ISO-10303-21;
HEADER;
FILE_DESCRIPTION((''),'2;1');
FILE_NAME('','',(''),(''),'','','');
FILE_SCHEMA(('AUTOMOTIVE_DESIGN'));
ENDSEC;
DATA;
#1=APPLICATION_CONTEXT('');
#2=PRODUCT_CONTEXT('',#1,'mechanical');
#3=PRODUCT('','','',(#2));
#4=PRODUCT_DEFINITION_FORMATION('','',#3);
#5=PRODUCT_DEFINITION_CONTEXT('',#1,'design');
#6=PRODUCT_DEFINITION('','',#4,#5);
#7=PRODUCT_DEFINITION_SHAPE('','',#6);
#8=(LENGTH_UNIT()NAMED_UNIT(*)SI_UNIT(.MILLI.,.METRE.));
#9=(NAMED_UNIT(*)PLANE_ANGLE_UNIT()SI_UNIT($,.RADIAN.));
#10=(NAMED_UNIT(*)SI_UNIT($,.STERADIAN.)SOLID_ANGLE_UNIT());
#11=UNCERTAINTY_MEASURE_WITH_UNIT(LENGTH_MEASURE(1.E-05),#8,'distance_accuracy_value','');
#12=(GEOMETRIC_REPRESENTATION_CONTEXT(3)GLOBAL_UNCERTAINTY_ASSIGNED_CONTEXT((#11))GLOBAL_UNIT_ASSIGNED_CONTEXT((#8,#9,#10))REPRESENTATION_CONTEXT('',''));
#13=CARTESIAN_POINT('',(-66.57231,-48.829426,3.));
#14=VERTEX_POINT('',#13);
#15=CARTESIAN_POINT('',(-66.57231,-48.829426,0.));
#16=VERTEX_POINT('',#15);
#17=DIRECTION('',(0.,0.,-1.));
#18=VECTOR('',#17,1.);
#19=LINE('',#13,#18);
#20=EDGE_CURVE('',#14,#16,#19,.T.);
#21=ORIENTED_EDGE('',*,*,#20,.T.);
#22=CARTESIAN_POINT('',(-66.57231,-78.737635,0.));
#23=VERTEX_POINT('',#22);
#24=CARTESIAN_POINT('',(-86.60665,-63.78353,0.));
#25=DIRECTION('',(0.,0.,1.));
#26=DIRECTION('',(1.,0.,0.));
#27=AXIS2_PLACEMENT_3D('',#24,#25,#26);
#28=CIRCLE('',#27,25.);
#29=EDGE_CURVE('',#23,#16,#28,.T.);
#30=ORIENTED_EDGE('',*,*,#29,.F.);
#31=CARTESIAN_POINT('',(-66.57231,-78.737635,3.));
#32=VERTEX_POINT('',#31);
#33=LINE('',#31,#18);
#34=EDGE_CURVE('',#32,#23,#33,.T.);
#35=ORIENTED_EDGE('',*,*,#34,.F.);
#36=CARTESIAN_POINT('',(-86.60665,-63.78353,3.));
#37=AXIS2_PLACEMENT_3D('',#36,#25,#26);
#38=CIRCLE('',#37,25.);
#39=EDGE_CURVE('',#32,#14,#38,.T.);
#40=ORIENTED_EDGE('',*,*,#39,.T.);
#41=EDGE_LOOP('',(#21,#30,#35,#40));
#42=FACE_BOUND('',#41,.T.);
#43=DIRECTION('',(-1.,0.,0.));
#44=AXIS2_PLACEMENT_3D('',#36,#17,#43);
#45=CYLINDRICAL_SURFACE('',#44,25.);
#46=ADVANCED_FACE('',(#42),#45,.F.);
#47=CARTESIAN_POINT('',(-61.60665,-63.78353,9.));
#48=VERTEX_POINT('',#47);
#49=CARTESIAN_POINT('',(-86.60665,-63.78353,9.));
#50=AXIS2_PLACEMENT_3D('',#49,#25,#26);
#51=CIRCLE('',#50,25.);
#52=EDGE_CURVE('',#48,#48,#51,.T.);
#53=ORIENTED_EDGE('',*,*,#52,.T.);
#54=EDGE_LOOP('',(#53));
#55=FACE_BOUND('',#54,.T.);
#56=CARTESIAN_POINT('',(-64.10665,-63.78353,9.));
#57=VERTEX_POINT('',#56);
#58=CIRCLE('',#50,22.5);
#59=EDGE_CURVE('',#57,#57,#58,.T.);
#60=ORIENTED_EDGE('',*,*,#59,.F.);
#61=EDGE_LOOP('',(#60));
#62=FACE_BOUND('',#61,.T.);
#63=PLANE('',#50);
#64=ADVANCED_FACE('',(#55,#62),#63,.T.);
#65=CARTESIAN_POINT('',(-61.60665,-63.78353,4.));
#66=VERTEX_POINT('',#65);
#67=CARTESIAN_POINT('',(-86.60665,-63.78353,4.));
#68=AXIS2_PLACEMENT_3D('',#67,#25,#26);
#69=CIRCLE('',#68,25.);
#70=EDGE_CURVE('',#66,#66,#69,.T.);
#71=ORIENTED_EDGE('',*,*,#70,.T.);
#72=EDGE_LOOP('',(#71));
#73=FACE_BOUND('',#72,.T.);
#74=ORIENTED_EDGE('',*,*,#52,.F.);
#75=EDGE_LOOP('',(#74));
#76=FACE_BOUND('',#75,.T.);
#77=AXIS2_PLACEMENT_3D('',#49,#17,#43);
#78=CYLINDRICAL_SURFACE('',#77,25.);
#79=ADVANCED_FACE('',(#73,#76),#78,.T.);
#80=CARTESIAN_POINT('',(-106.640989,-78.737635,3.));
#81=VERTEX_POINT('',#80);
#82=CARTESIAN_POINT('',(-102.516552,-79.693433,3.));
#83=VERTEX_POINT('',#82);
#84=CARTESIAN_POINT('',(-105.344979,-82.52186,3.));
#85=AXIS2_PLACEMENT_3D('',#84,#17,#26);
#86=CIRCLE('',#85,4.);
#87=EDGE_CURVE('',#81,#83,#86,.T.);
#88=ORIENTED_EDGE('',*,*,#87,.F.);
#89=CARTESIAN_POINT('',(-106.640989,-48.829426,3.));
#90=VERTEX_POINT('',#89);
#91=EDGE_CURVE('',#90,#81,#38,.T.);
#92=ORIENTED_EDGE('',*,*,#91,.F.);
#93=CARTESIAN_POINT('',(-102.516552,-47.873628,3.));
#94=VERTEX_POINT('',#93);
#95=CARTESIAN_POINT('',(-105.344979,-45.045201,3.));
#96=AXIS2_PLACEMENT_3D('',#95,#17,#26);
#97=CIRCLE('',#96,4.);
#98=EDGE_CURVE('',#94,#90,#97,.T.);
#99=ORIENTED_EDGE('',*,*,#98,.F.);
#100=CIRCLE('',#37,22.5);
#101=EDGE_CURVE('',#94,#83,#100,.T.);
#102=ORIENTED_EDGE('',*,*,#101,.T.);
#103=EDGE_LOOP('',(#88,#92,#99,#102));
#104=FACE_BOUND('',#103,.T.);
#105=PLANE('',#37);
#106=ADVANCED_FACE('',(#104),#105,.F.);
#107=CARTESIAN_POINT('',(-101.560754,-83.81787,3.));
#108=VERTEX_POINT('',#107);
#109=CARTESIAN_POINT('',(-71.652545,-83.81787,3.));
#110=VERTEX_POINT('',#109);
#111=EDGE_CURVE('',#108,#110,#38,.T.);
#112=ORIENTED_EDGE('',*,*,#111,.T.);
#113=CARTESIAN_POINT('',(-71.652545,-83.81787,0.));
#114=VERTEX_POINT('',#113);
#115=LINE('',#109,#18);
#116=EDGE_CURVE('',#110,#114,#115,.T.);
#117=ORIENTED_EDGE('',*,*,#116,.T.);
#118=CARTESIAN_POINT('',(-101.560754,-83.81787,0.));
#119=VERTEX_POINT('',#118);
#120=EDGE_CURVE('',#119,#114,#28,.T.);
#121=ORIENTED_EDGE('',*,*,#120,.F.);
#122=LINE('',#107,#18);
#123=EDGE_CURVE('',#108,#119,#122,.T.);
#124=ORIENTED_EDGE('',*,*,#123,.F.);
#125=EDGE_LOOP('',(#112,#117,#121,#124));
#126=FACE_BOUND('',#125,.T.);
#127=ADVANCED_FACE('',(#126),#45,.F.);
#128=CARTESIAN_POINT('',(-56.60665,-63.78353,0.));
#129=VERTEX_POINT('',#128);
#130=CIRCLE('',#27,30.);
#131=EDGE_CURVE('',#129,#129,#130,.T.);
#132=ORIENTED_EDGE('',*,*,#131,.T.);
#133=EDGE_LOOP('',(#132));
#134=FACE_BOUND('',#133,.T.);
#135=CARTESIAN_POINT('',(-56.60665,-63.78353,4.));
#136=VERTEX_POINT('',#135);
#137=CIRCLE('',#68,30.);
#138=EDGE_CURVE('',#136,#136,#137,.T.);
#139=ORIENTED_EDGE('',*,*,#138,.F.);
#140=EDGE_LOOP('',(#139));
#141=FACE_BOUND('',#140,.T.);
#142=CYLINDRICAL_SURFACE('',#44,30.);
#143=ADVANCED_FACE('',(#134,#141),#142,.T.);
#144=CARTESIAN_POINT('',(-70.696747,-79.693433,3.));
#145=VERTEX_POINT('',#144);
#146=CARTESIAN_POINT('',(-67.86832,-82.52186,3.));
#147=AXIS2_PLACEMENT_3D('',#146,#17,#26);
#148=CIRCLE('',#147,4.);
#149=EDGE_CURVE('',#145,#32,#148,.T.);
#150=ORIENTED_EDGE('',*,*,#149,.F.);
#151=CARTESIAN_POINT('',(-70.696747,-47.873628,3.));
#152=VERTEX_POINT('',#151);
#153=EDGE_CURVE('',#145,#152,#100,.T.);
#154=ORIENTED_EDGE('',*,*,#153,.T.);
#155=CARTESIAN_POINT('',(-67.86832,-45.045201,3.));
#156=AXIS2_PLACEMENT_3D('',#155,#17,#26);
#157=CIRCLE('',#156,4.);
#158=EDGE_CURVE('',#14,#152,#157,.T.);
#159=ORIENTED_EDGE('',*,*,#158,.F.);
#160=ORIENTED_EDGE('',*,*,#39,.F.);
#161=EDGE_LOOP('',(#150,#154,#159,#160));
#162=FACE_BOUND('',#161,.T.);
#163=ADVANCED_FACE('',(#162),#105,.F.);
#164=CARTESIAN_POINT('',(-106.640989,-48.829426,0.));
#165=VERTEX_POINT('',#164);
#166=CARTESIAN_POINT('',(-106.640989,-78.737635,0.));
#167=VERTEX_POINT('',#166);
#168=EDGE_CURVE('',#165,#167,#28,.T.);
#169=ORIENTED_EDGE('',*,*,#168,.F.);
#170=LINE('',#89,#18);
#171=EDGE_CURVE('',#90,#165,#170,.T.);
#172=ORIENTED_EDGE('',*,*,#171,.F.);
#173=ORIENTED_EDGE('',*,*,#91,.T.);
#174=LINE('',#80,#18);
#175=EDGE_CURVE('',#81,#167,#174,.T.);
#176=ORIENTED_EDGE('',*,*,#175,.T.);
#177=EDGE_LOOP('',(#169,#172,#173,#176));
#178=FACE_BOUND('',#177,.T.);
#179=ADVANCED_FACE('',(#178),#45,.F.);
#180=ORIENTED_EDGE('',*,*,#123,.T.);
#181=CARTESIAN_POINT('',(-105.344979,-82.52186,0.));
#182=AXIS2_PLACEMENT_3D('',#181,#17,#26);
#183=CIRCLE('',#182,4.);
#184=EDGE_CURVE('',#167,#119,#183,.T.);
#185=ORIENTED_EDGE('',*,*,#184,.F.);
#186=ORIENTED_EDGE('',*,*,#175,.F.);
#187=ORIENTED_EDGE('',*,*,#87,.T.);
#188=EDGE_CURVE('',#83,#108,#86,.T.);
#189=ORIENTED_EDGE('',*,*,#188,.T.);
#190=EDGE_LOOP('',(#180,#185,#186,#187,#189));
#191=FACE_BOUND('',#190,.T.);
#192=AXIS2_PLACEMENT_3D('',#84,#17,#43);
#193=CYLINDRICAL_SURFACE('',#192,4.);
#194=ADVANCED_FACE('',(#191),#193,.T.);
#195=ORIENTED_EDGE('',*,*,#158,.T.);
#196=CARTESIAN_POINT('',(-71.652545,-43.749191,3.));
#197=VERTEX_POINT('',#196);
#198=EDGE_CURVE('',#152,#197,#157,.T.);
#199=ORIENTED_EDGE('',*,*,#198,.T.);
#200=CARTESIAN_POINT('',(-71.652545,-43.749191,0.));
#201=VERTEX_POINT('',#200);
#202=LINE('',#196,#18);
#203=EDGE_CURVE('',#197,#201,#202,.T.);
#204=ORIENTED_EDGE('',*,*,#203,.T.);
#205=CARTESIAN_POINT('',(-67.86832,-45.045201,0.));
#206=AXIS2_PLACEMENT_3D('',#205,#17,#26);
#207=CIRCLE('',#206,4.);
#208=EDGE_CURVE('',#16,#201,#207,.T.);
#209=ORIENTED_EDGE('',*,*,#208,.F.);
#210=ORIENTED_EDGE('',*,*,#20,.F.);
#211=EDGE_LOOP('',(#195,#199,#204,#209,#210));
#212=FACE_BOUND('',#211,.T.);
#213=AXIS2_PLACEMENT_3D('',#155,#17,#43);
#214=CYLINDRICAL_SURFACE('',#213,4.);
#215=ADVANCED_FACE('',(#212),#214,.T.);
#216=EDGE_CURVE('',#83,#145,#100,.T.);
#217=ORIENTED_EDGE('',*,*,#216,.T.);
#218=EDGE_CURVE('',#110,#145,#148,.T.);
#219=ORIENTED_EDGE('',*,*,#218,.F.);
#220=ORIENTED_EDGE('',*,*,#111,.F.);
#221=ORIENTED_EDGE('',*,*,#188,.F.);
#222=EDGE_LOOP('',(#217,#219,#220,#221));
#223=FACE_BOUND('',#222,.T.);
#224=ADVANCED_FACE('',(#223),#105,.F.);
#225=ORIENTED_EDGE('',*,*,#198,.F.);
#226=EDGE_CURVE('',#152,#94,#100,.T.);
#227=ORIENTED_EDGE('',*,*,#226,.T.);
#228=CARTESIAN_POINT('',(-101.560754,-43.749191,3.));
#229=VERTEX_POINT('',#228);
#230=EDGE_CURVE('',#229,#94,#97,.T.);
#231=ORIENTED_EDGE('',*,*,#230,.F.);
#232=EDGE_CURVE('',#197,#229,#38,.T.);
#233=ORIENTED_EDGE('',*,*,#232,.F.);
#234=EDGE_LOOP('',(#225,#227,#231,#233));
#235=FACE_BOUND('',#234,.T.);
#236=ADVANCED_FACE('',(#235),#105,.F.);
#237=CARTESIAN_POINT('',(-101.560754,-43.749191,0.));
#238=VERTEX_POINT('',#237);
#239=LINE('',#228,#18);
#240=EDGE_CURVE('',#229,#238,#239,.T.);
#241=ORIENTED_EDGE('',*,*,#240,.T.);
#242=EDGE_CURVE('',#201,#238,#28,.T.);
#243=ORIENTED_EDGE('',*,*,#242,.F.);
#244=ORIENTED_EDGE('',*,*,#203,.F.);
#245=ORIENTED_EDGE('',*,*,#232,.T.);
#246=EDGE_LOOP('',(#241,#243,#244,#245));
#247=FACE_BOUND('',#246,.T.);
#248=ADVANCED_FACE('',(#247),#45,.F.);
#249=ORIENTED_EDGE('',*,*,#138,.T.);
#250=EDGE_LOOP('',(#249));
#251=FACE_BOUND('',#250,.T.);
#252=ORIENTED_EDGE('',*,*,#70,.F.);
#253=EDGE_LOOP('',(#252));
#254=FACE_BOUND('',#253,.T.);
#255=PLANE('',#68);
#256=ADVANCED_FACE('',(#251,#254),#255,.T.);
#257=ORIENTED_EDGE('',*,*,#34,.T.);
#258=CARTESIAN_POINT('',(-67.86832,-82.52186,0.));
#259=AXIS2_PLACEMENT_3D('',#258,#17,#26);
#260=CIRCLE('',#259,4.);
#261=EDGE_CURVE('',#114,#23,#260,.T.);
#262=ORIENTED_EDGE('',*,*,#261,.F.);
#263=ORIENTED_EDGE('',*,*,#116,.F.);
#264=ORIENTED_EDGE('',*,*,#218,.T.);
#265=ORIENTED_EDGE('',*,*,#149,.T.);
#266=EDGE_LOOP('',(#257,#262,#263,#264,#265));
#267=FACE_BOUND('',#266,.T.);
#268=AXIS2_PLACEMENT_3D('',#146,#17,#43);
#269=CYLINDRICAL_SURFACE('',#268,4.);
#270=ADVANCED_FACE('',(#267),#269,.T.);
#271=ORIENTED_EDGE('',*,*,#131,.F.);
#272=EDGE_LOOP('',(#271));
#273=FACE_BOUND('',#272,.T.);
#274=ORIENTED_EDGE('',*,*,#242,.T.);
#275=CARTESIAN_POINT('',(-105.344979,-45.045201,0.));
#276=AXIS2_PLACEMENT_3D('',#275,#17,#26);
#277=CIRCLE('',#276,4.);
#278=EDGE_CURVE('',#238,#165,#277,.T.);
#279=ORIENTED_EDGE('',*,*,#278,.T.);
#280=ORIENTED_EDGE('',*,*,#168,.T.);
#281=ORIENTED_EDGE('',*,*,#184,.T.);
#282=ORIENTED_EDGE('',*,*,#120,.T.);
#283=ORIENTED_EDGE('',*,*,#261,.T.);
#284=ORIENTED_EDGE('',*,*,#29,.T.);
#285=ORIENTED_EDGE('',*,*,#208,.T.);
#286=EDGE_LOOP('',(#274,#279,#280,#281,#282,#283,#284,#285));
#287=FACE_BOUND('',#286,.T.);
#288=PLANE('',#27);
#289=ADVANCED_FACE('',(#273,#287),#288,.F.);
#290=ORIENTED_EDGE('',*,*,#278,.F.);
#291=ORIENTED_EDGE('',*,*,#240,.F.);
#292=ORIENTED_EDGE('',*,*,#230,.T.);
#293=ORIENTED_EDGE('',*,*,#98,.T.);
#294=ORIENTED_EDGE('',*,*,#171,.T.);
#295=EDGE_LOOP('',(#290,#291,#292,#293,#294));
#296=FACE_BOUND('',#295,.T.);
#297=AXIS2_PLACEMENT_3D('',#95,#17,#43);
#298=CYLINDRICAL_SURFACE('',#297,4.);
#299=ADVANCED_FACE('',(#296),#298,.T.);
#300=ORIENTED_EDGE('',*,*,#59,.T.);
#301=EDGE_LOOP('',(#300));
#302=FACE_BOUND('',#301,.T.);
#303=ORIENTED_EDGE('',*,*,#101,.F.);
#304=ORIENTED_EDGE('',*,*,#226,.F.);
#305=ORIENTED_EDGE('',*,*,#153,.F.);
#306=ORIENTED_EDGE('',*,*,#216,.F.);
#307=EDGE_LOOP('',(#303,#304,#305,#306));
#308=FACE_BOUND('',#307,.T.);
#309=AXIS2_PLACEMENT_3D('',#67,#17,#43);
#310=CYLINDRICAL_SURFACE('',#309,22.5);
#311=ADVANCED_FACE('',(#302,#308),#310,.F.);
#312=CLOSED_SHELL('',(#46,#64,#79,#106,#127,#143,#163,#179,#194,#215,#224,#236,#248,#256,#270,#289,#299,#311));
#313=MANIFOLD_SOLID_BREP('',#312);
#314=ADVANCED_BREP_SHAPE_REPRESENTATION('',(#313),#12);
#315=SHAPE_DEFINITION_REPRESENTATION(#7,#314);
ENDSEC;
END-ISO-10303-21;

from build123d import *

# Parameters (mm, degrees)
EXTRUDE_1_DEPTH = 3
SKETCH_3_R      = 30
SKETCH_3_R_2    = 22.5
EXTRUDE_2_DEPTH = 1
SKETCH_4_R      = 25
SKETCH_4_R_2    = 22.5
EXTRUDE_3_DEPTH = 5


with BuildPart() as part:
    # 草图2 → 凸台-拉伸1 (new body)
    with BuildSketch(Plane.XY):
        with BuildLine():
            ThreePointArc((-116.606649797, -63.783530386), (-107.819853233, -84.996733821), (-86.606649797, -93.783530386))
            ThreePointArc((-86.606649797, -93.783530386), (-65.393446361, -84.996733821), (-56.606649797, -63.783530386))
            ThreePointArc((-56.606649797, -63.783530386), (-65.393446361, -42.57032695), (-86.606649797, -33.783530386))
            ThreePointArc((-86.606649797, -33.783530386), (-107.819853233, -42.57032695), (-116.606649797, -63.783530386))
        make_face()
        with BuildLine():
            ThreePointArc((-106.640989146, -48.829425703), (-102.516552374, -47.873627809), (-101.56075448, -43.749191037))
            ThreePointArc((-101.56075448, -43.749191037), (-86.606649797, -38.783530386), (-71.652545115, -43.749191037))
            ThreePointArc((-71.652545115, -43.749191037), (-70.69674722, -47.873627809), (-66.572310448, -48.829425703))
            ThreePointArc((-66.572310448, -48.829425703), (-61.606649797, -63.783530386), (-66.572310448, -78.737635068))
            ThreePointArc((-66.572310448, -78.737635068), (-70.69674722, -79.693432962), (-71.652545115, -83.817869734))
            ThreePointArc((-71.652545115, -83.817869734), (-86.606649797, -88.783530386), (-101.56075448, -83.817869734))
            ThreePointArc((-101.56075448, -83.817869734), (-102.516552374, -79.693432962), (-106.640989146, -78.737635068))
            ThreePointArc((-106.640989146, -78.737635068), (-111.606649797, -63.783530386), (-106.640989146, -48.829425703))
        make_face(mode=Mode.SUBTRACT)
    extrude(amount=EXTRUDE_1_DEPTH)

    # 草图3 → 凸台-拉伸2 (add)
    with BuildSketch(Plane.XY.offset(3)):
        with Locations((-86.606649797, -63.783530386)):
            Circle(SKETCH_3_R)
        with Locations(Location((-86.606649797, -63.783530386, 0), (0, 0, 135))):
            Circle(SKETCH_3_R_2, mode=Mode.SUBTRACT)
    extrude(amount=EXTRUDE_2_DEPTH)

    # 草图4 → 凸台-拉伸3 (add)
    with BuildSketch(Plane.XY.offset(4)):
        with Locations((-86.606649797, -63.783530386)):
            Circle(SKETCH_4_R)
        with Locations(Location((-86.606649797, -63.783530386, 0), (0, 0, 135))):
            Circle(SKETCH_4_R_2, mode=Mode.SUBTRACT)
    extrude(amount=EXTRUDE_3_DEPTH)


solid = part.part
